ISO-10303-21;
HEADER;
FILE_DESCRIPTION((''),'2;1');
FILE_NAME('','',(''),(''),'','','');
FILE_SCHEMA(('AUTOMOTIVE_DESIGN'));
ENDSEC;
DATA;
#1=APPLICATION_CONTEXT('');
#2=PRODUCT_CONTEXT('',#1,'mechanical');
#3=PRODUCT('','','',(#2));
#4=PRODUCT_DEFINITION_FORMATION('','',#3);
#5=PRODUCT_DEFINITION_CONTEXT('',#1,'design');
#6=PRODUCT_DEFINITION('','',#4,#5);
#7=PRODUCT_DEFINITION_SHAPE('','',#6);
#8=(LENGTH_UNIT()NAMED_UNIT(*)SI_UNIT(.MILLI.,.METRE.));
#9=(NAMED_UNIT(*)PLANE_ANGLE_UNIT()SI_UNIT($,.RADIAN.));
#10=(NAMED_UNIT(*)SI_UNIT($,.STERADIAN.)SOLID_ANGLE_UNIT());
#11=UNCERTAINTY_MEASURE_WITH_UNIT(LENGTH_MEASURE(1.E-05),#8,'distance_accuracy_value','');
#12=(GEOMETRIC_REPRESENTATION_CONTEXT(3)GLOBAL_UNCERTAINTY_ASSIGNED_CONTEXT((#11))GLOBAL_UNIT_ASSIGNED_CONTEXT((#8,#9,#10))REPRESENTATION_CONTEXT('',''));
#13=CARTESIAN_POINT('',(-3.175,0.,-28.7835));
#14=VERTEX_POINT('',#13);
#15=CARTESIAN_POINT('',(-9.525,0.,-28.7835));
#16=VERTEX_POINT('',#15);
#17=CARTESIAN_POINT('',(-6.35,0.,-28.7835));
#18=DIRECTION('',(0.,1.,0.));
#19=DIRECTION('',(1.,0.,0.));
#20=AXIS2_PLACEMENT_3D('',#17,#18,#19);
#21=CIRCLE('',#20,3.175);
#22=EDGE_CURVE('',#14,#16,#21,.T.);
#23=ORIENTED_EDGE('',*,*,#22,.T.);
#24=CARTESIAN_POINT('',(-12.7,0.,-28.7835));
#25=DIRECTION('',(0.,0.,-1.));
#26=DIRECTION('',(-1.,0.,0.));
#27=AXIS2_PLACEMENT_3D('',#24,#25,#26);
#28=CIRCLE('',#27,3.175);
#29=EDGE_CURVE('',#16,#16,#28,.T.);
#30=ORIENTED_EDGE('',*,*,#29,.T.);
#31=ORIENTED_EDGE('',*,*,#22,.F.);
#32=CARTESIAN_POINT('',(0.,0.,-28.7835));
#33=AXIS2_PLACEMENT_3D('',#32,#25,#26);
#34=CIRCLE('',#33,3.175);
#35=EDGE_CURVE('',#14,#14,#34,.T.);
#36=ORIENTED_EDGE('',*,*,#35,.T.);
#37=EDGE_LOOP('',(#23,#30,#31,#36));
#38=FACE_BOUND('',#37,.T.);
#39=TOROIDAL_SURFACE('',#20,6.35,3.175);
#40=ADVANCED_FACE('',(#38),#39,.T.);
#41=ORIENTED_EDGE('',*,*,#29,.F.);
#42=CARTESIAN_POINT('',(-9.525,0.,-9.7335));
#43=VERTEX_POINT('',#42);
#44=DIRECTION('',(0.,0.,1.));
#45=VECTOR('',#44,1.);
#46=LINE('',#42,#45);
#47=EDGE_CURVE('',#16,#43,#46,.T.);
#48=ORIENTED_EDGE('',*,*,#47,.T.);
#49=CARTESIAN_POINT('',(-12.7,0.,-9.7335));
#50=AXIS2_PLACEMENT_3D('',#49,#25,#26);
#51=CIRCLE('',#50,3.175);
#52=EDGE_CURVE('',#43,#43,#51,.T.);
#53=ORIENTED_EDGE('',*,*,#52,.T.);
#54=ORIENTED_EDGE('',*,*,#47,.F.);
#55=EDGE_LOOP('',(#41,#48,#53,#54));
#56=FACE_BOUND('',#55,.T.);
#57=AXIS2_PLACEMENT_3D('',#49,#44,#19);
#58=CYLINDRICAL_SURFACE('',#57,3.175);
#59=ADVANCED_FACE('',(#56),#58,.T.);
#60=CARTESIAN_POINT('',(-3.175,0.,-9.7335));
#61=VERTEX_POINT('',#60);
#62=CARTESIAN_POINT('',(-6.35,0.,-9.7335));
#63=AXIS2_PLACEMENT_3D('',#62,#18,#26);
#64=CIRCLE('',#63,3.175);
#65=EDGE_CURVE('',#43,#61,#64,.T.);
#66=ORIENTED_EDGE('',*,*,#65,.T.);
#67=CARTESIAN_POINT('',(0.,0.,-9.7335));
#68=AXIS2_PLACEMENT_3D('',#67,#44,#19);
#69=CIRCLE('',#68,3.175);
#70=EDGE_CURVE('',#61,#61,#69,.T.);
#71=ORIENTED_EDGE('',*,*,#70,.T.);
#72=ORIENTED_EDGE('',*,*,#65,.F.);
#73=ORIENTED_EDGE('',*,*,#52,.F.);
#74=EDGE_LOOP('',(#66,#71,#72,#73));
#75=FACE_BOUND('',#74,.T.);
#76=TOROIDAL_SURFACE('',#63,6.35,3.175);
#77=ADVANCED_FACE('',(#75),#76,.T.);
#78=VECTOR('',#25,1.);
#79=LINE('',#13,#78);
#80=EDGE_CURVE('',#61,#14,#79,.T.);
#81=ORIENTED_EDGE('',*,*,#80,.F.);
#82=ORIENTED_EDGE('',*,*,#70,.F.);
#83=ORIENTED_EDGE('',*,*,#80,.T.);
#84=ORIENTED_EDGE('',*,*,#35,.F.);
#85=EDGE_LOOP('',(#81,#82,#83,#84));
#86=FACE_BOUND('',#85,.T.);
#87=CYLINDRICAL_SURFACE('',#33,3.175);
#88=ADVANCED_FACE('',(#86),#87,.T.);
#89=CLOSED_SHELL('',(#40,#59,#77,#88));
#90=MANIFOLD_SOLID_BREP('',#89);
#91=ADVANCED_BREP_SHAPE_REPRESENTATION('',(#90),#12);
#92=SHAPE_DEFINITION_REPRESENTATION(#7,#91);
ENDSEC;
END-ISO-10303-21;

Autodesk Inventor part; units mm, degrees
ref_plane "XZ Plane" through (0, 0, 0) normal (0, 1, 0) x (-1, 0, 0)
sketch "Sketch1" plane through (0, 0, 0) normal (0, 1, 0) x (-1, 0, 0)
  arc A0 (12.7, -9.7335) -> (0, -9.7335) centre (6.35, -9.7335) ccw
  arc A1 (0, -28.7835) -> (12.7, -28.7835) centre (6.35, -28.7835) ccw
  line L0 (12.7, -9.7335) -> (12.7, -28.7835)
  line L1 (0, -28.7835) -> (0, -9.7335)
  point P0 (0, 0)
  dimension "d0" = 12.7
  dimension "d1" = 12.7
  dimension "d2" = 19.05
ref_plane "Work Plane1" through (0, 0, -19.05) normal (0, 0, 1) x (1, 0, 0)
sketch "Sketch2" plane through (0, 0, -19.05) normal (0, 0, 1) x (1, 0, 0)
  circle A0 centre (-12.7, 0) radius 3.175
  point P0 (0, 0)
  dimension "d4" = 6.35
sweep "Sweep1" add profiles "Sketch2" path "Sketch1"
ref_plane "Work Plane2" through (-6.35, 0, -9.7335) normal (1, 0, 0) x (0, 0, -1)
properties part number "chainLink"
